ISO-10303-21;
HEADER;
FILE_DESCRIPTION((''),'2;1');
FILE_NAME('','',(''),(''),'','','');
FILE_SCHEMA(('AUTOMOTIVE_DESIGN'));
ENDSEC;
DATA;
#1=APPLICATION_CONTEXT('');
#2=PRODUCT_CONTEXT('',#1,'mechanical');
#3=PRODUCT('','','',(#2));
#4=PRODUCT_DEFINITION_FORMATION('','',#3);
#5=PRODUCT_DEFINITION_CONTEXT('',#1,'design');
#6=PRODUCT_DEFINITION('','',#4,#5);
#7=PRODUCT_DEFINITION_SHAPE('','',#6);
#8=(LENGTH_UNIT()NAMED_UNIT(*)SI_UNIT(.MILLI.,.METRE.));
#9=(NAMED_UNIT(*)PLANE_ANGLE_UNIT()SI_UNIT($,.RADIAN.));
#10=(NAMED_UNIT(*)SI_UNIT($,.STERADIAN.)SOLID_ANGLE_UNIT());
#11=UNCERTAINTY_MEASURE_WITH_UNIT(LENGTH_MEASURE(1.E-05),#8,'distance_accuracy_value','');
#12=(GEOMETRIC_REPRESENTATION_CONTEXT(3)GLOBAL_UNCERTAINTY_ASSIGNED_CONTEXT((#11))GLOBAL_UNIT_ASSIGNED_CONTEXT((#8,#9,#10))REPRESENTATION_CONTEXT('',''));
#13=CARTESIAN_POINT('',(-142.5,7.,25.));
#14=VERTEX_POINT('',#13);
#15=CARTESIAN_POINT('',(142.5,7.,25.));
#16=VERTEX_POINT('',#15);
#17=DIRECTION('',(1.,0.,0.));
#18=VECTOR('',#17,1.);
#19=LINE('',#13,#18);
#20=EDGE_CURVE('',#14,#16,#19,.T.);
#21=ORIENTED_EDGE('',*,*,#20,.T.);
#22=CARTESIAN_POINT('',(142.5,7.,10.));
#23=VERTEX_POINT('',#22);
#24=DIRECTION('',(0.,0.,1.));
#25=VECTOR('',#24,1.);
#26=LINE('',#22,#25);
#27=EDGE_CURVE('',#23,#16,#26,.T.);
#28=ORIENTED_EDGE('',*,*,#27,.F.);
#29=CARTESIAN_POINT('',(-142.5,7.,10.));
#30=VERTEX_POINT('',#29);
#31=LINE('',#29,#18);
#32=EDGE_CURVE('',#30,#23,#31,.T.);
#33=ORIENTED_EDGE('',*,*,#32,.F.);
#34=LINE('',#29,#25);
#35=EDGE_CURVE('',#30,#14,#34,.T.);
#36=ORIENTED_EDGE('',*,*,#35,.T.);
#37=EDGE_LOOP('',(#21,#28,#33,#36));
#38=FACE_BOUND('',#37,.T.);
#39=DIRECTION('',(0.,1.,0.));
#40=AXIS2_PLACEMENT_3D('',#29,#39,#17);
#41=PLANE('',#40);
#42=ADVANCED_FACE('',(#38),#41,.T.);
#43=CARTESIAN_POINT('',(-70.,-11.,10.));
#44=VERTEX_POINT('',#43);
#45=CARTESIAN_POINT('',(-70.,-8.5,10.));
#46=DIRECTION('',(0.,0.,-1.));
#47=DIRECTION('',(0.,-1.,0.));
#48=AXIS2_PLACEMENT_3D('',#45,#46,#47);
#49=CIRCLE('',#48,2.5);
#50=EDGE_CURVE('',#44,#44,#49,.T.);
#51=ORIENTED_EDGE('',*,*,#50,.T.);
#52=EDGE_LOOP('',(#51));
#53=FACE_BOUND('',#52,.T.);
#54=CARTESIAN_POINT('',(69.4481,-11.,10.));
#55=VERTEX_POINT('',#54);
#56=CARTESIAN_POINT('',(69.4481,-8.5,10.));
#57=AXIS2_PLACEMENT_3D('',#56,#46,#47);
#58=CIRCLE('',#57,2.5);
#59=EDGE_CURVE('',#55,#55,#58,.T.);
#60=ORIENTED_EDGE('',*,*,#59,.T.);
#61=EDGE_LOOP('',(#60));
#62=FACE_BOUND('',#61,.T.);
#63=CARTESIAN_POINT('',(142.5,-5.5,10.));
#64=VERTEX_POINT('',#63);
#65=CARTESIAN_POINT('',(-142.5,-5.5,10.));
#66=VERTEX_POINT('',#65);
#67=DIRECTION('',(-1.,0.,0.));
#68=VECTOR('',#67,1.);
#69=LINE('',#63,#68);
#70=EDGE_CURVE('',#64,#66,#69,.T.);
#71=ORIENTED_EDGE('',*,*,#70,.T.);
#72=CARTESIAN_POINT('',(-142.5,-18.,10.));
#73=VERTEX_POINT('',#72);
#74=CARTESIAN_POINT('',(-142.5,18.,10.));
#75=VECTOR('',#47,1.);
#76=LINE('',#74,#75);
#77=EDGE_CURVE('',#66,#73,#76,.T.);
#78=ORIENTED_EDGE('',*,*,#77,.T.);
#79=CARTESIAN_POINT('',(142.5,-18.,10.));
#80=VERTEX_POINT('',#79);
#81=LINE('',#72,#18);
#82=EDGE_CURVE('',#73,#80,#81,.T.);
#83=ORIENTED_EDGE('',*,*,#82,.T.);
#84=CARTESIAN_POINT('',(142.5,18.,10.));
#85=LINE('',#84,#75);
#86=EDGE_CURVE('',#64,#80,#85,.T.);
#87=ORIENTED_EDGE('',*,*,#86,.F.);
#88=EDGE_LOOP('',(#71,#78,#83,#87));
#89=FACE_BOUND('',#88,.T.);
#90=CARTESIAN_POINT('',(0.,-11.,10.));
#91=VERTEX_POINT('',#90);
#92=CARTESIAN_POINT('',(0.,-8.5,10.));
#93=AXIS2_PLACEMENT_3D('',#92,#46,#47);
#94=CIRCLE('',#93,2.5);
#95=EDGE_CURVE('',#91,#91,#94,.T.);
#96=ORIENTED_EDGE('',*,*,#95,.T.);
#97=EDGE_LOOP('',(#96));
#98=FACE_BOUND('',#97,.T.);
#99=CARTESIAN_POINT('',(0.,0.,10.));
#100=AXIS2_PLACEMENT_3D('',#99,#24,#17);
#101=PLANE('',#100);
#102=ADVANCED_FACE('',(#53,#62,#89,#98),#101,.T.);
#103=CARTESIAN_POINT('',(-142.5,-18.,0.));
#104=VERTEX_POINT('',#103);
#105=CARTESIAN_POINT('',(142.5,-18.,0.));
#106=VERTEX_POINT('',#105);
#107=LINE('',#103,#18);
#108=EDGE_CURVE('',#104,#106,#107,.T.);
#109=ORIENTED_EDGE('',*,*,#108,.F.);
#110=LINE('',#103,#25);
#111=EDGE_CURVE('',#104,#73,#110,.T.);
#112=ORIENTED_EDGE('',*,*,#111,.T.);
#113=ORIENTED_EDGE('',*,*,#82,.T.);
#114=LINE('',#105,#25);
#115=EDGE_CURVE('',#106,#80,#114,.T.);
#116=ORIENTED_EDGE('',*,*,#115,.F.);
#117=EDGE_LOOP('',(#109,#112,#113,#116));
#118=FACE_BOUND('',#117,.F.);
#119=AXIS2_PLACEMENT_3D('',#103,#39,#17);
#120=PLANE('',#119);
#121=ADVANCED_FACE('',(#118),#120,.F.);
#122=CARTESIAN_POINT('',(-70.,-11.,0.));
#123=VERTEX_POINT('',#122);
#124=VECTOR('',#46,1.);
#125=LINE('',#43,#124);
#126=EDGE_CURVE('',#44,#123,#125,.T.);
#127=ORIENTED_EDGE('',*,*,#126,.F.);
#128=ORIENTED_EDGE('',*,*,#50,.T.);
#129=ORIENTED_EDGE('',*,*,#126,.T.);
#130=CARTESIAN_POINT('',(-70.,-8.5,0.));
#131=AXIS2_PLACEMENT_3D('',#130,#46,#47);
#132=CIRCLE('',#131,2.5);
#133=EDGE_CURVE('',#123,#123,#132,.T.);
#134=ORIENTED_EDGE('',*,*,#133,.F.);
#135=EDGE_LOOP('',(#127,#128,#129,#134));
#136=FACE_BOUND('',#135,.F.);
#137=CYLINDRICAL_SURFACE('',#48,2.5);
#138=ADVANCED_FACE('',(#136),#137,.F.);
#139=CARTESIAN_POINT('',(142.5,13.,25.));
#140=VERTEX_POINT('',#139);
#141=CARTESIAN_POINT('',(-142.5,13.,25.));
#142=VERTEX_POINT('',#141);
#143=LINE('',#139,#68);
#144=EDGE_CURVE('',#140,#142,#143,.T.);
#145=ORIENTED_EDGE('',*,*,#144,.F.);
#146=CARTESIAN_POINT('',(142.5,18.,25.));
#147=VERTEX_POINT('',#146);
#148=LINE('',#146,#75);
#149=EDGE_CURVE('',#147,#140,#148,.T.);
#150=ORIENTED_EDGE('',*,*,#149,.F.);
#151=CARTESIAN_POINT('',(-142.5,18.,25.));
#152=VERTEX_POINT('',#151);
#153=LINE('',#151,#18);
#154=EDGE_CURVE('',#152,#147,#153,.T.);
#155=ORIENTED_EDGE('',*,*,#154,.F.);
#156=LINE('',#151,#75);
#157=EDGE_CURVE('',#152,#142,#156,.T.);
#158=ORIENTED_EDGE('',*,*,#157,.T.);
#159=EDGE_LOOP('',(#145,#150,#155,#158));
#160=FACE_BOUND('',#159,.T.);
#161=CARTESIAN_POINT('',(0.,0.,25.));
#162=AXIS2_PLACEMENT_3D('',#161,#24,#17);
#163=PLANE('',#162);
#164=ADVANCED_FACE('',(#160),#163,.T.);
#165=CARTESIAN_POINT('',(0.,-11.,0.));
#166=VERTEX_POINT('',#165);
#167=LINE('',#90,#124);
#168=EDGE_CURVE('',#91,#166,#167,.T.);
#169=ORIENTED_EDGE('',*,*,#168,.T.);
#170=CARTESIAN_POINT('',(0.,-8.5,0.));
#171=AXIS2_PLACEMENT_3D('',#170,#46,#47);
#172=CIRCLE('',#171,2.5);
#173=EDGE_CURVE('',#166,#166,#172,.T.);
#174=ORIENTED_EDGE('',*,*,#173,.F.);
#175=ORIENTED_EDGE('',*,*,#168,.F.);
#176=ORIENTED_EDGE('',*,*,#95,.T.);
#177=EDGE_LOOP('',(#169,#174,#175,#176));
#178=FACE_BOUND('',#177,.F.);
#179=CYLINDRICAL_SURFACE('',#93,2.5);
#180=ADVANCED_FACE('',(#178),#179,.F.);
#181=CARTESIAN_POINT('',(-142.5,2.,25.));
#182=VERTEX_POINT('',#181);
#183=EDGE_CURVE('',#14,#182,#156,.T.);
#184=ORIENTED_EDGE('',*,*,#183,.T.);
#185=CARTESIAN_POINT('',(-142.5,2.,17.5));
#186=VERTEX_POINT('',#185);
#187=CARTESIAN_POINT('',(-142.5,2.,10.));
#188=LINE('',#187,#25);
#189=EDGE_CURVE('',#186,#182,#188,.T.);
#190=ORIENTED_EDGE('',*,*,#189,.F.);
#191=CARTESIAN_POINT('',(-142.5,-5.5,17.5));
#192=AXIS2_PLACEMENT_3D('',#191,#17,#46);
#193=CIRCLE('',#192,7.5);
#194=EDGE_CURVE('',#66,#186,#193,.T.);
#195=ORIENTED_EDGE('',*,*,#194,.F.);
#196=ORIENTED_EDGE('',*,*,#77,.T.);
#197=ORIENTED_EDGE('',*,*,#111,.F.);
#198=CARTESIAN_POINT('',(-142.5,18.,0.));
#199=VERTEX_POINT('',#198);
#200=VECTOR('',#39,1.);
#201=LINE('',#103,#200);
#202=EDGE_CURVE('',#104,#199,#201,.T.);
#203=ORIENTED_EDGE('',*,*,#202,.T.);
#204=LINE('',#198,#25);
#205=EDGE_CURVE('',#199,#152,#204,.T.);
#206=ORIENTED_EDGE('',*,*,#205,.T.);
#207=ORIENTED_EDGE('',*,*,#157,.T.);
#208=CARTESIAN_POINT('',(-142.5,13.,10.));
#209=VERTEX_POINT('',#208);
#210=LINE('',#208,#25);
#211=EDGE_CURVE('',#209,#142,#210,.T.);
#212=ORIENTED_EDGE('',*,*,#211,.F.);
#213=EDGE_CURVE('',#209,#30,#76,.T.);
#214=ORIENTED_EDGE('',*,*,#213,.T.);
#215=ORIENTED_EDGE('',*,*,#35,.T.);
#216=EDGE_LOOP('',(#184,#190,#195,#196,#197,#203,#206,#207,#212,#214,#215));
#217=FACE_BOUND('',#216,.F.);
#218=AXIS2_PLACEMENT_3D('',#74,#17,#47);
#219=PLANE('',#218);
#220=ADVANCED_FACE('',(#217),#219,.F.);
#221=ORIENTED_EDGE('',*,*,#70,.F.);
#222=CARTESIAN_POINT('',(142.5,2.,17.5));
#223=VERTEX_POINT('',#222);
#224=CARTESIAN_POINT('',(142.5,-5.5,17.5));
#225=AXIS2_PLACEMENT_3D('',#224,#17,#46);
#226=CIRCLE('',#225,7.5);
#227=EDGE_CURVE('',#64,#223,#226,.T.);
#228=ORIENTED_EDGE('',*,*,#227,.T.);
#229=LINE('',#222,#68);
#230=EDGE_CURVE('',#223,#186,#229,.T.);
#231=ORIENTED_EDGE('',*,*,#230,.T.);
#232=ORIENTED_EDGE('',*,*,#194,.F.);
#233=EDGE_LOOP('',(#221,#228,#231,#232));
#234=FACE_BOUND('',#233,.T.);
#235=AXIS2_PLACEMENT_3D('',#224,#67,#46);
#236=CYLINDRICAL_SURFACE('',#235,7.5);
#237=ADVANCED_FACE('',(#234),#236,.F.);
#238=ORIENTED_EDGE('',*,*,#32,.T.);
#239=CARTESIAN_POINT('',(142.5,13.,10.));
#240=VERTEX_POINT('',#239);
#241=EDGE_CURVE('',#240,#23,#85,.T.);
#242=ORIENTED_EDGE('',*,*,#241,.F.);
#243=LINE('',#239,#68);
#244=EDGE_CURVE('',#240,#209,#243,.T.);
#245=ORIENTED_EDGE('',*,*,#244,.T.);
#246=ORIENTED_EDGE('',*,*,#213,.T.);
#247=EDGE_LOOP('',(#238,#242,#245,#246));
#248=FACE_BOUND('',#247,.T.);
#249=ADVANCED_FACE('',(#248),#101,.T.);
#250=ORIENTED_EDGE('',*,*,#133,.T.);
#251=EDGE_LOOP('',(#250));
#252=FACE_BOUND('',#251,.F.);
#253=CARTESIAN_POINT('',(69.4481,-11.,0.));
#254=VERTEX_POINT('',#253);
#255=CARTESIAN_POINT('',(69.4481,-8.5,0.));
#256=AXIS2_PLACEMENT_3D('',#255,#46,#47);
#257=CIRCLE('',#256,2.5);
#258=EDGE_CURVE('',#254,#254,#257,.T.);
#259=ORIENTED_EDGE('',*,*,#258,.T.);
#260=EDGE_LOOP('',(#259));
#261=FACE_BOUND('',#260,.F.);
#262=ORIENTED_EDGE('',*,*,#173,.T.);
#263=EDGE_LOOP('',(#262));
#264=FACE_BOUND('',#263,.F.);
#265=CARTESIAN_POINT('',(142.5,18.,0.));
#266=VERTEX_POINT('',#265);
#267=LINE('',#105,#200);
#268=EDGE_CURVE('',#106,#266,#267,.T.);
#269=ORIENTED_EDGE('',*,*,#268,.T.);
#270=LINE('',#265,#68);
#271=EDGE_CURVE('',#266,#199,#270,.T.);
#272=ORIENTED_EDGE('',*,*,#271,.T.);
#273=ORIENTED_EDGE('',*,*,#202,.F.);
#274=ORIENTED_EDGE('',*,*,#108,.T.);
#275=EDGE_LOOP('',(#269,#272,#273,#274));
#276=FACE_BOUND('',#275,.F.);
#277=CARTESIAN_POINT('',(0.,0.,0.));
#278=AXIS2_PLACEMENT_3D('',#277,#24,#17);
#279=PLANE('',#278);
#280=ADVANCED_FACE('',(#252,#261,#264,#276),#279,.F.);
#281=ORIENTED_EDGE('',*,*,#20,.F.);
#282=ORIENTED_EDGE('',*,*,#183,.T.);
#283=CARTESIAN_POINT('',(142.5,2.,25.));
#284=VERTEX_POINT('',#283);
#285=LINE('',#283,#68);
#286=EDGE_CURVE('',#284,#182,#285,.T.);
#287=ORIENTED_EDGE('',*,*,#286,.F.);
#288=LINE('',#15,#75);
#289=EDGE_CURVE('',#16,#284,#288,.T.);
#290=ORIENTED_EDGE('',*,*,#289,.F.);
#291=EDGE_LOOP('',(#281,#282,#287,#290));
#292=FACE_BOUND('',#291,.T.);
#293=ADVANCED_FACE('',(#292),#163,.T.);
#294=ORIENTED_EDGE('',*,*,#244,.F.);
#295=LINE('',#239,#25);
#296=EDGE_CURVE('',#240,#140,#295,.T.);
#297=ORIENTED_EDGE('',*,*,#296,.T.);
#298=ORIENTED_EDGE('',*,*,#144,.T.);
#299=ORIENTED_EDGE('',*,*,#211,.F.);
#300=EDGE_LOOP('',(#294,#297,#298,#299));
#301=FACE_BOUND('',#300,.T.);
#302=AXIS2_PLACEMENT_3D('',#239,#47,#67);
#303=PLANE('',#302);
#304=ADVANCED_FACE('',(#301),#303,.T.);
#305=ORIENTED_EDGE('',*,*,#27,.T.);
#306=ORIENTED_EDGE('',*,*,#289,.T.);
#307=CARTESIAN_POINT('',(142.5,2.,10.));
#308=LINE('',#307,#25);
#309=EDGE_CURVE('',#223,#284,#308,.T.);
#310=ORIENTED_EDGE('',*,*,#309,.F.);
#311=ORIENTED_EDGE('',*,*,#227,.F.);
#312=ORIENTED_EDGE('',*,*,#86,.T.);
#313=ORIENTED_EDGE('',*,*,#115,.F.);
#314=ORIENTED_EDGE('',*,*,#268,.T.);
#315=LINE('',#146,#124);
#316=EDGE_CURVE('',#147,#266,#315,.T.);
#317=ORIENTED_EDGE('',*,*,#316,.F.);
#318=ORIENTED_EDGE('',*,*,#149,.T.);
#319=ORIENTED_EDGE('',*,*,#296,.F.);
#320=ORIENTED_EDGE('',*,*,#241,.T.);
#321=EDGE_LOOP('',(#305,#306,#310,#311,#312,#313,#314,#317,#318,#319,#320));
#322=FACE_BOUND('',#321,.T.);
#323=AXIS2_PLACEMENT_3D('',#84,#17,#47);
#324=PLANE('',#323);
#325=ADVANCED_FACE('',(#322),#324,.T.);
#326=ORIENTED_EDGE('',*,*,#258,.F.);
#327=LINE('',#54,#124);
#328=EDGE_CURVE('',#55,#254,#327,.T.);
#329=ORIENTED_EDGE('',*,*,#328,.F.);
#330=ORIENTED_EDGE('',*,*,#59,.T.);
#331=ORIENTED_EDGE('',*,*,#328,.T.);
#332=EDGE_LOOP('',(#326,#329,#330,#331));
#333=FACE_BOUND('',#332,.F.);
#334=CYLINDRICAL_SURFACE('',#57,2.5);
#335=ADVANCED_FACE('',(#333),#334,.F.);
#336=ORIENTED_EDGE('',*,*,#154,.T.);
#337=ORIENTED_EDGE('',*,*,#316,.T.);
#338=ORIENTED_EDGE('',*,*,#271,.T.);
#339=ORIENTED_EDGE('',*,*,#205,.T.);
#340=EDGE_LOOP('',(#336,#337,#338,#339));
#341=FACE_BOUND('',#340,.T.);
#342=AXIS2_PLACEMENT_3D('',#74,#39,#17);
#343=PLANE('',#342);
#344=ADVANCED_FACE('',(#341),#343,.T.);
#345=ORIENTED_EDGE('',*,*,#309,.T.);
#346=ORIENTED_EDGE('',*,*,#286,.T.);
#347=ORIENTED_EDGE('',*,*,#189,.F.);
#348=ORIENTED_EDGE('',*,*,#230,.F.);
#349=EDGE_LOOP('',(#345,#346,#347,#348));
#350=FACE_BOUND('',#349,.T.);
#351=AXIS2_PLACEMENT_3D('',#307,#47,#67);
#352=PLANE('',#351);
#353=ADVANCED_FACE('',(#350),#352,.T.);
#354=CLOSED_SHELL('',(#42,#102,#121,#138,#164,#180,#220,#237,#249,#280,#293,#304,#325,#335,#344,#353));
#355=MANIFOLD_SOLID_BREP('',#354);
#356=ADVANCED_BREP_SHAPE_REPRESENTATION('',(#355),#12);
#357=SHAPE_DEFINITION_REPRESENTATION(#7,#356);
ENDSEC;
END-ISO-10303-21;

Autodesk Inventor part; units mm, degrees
ref_plane "YZ Plane" through (0, 0, 0) normal (1, 0, 0) x (0, 1, 0)
ref_plane "XZ Plane" through (0, 0, 0) normal (0, 1, 0) x (-1, 0, 0)
ref_plane "XY Plane" through (0, 0, 0) normal (0, 0, 1) x (1, 0, 0)
sketch "Sketch1" plane through (0, 0, 0) normal (0, 0, 1) x (1, 0, 0)
  line L0 (142.5, 18) -> (-142.5, 18)
  line L1 (-142.5, 18) -> (-142.5, -18)
  line L2 (-142.5, -18) -> (142.5, -18)
  line L3 (142.5, -18) -> (142.5, 18)
  line L4 (142.5, 18) -> (-142.5, -18) construction
  line L5 (-142.5, 18) -> (142.5, -18) construction
  line L6 (-142.5, 18) -> (142.5, 18)
  line L7 (142.5, 18) -> (142.5, 8)
  line L8 (142.5, 8) -> (-142.5, 8)
  line L9 (-142.5, 8) -> (-142.5, 18)
  point P0 (0, 0)
  point P1 (142.5, 13)
  dimension "d0" = 285
  dimension "d1" = 36
  dimension "d4" = 5
extrude "Extrusion1" add sketch "Sketch1" along normal blind 10
sketch "Sketch4" plane through (0, 0, 10) normal (0, 0, 1) x (1, 0, 0)
  line L0 (-142.5, 18) -> (-142.5, -18) projected
  line L1 (-142.5, 18) -> (142.5, 18)
  line L2 (142.5, 18) -> (142.5, 13)
  line L3 (142.5, 13) -> (-142.5, 13)
  line L4 (-142.5, 13) -> (-142.5, 18)
  point P0 (0, 0)
  dimension "d5" = 285
  dimension "d6" = 5
extrude "Extrusion2" add sketch "Sketch4" along normal blind 15
sketch "Sketch5" plane through (0, 0, 10) normal (0, 0, 1) x (1, 0, 0)
  line L0 (-142.5, 18) -> (-142.5, -18) projected
  line L1 (-142.5, 7) -> (142.5, 7)
  line L2 (142.5, 7) -> (142.5, 2)
  line L3 (142.5, 2) -> (-142.5, 2)
  line L4 (-142.5, 2) -> (-142.5, 7)
  line L5 (142.5, 13) -> (-142.5, 13) projected
  point P0 (0, 0)
  dimension "d9" = 285
  dimension "d10" = 5
  dimension "d47" = 11
extrude "Extrusion3" add sketch "Sketch5" along normal blind 15
fillet "Fillet1" radius 7.5 1 edges at (0, 2, 10)
sketch "Sketch6" plane through (0, 0, 10) normal (0, 0, 1) x (1, 0, 0)
  circle A0 centre (-70, -8.5) radius 2.5
  line L0 (-142.5, -5.5) -> (142.5, -5.5) projected
  line L1 (-142.5, -18) -> (142.5, -18) projected
  point P0 (0, 0)
  point P1 (0, -5.5)
  point P2 (0, -5.5)
  dimension "d50" = 70
  dimension "d51" = 9.5
hole "Hole1" at (-70, -8.5, 10) direction (0, 0, -1) diameter 5 end through all
sketch "Sketch7" plane through (0, 0, 10) normal (0, 0, 1) x (1, 0, 0)
  circle A0 centre (0, -8.5) radius 2.5
  circle A1 centre (-70, -8.5) radius 2.5 projected
  line L0 (-142.5, -18) -> (142.5, -18) projected
  point P0 (0, 0)
  point P1 (-69.25, -4.8686)
  point P2 (-64.25, -4.8686)
  dimension "d23" = 5
  dimension "d39" = 70
  dimension "d43" = 9.5
hole "Hole2" at (0, -8.5, 10) direction (0, 0, -1) diameter 5 end through all
sketch "Sketch8" plane through (0, 0, 10) normal (0, 0, 1) x (1, 0, 0)
  circle A0 centre (69.4481, -8.5) radius 2.5
  circle A1 centre (0, -8.5) radius 2.5 projected
  line L0 (-142.5, -5.5) -> (142.5, -5.5) projected
  line L1 (-142.5, -18) -> (142.5, -18) projected
  point P0 (0, 0)
  point P1 (-1.3066, -5.3686)
  point P2 (1.3066, -5.3686)
  point P3 (-70, -4.8686)
  dimension "d31" = 5
  dimension "d48" = 7
hole "Hole3" at (69.4481, -8.5, 10) direction (0, 0, -1) diameter 5 end through all
properties part number "side part v3"
